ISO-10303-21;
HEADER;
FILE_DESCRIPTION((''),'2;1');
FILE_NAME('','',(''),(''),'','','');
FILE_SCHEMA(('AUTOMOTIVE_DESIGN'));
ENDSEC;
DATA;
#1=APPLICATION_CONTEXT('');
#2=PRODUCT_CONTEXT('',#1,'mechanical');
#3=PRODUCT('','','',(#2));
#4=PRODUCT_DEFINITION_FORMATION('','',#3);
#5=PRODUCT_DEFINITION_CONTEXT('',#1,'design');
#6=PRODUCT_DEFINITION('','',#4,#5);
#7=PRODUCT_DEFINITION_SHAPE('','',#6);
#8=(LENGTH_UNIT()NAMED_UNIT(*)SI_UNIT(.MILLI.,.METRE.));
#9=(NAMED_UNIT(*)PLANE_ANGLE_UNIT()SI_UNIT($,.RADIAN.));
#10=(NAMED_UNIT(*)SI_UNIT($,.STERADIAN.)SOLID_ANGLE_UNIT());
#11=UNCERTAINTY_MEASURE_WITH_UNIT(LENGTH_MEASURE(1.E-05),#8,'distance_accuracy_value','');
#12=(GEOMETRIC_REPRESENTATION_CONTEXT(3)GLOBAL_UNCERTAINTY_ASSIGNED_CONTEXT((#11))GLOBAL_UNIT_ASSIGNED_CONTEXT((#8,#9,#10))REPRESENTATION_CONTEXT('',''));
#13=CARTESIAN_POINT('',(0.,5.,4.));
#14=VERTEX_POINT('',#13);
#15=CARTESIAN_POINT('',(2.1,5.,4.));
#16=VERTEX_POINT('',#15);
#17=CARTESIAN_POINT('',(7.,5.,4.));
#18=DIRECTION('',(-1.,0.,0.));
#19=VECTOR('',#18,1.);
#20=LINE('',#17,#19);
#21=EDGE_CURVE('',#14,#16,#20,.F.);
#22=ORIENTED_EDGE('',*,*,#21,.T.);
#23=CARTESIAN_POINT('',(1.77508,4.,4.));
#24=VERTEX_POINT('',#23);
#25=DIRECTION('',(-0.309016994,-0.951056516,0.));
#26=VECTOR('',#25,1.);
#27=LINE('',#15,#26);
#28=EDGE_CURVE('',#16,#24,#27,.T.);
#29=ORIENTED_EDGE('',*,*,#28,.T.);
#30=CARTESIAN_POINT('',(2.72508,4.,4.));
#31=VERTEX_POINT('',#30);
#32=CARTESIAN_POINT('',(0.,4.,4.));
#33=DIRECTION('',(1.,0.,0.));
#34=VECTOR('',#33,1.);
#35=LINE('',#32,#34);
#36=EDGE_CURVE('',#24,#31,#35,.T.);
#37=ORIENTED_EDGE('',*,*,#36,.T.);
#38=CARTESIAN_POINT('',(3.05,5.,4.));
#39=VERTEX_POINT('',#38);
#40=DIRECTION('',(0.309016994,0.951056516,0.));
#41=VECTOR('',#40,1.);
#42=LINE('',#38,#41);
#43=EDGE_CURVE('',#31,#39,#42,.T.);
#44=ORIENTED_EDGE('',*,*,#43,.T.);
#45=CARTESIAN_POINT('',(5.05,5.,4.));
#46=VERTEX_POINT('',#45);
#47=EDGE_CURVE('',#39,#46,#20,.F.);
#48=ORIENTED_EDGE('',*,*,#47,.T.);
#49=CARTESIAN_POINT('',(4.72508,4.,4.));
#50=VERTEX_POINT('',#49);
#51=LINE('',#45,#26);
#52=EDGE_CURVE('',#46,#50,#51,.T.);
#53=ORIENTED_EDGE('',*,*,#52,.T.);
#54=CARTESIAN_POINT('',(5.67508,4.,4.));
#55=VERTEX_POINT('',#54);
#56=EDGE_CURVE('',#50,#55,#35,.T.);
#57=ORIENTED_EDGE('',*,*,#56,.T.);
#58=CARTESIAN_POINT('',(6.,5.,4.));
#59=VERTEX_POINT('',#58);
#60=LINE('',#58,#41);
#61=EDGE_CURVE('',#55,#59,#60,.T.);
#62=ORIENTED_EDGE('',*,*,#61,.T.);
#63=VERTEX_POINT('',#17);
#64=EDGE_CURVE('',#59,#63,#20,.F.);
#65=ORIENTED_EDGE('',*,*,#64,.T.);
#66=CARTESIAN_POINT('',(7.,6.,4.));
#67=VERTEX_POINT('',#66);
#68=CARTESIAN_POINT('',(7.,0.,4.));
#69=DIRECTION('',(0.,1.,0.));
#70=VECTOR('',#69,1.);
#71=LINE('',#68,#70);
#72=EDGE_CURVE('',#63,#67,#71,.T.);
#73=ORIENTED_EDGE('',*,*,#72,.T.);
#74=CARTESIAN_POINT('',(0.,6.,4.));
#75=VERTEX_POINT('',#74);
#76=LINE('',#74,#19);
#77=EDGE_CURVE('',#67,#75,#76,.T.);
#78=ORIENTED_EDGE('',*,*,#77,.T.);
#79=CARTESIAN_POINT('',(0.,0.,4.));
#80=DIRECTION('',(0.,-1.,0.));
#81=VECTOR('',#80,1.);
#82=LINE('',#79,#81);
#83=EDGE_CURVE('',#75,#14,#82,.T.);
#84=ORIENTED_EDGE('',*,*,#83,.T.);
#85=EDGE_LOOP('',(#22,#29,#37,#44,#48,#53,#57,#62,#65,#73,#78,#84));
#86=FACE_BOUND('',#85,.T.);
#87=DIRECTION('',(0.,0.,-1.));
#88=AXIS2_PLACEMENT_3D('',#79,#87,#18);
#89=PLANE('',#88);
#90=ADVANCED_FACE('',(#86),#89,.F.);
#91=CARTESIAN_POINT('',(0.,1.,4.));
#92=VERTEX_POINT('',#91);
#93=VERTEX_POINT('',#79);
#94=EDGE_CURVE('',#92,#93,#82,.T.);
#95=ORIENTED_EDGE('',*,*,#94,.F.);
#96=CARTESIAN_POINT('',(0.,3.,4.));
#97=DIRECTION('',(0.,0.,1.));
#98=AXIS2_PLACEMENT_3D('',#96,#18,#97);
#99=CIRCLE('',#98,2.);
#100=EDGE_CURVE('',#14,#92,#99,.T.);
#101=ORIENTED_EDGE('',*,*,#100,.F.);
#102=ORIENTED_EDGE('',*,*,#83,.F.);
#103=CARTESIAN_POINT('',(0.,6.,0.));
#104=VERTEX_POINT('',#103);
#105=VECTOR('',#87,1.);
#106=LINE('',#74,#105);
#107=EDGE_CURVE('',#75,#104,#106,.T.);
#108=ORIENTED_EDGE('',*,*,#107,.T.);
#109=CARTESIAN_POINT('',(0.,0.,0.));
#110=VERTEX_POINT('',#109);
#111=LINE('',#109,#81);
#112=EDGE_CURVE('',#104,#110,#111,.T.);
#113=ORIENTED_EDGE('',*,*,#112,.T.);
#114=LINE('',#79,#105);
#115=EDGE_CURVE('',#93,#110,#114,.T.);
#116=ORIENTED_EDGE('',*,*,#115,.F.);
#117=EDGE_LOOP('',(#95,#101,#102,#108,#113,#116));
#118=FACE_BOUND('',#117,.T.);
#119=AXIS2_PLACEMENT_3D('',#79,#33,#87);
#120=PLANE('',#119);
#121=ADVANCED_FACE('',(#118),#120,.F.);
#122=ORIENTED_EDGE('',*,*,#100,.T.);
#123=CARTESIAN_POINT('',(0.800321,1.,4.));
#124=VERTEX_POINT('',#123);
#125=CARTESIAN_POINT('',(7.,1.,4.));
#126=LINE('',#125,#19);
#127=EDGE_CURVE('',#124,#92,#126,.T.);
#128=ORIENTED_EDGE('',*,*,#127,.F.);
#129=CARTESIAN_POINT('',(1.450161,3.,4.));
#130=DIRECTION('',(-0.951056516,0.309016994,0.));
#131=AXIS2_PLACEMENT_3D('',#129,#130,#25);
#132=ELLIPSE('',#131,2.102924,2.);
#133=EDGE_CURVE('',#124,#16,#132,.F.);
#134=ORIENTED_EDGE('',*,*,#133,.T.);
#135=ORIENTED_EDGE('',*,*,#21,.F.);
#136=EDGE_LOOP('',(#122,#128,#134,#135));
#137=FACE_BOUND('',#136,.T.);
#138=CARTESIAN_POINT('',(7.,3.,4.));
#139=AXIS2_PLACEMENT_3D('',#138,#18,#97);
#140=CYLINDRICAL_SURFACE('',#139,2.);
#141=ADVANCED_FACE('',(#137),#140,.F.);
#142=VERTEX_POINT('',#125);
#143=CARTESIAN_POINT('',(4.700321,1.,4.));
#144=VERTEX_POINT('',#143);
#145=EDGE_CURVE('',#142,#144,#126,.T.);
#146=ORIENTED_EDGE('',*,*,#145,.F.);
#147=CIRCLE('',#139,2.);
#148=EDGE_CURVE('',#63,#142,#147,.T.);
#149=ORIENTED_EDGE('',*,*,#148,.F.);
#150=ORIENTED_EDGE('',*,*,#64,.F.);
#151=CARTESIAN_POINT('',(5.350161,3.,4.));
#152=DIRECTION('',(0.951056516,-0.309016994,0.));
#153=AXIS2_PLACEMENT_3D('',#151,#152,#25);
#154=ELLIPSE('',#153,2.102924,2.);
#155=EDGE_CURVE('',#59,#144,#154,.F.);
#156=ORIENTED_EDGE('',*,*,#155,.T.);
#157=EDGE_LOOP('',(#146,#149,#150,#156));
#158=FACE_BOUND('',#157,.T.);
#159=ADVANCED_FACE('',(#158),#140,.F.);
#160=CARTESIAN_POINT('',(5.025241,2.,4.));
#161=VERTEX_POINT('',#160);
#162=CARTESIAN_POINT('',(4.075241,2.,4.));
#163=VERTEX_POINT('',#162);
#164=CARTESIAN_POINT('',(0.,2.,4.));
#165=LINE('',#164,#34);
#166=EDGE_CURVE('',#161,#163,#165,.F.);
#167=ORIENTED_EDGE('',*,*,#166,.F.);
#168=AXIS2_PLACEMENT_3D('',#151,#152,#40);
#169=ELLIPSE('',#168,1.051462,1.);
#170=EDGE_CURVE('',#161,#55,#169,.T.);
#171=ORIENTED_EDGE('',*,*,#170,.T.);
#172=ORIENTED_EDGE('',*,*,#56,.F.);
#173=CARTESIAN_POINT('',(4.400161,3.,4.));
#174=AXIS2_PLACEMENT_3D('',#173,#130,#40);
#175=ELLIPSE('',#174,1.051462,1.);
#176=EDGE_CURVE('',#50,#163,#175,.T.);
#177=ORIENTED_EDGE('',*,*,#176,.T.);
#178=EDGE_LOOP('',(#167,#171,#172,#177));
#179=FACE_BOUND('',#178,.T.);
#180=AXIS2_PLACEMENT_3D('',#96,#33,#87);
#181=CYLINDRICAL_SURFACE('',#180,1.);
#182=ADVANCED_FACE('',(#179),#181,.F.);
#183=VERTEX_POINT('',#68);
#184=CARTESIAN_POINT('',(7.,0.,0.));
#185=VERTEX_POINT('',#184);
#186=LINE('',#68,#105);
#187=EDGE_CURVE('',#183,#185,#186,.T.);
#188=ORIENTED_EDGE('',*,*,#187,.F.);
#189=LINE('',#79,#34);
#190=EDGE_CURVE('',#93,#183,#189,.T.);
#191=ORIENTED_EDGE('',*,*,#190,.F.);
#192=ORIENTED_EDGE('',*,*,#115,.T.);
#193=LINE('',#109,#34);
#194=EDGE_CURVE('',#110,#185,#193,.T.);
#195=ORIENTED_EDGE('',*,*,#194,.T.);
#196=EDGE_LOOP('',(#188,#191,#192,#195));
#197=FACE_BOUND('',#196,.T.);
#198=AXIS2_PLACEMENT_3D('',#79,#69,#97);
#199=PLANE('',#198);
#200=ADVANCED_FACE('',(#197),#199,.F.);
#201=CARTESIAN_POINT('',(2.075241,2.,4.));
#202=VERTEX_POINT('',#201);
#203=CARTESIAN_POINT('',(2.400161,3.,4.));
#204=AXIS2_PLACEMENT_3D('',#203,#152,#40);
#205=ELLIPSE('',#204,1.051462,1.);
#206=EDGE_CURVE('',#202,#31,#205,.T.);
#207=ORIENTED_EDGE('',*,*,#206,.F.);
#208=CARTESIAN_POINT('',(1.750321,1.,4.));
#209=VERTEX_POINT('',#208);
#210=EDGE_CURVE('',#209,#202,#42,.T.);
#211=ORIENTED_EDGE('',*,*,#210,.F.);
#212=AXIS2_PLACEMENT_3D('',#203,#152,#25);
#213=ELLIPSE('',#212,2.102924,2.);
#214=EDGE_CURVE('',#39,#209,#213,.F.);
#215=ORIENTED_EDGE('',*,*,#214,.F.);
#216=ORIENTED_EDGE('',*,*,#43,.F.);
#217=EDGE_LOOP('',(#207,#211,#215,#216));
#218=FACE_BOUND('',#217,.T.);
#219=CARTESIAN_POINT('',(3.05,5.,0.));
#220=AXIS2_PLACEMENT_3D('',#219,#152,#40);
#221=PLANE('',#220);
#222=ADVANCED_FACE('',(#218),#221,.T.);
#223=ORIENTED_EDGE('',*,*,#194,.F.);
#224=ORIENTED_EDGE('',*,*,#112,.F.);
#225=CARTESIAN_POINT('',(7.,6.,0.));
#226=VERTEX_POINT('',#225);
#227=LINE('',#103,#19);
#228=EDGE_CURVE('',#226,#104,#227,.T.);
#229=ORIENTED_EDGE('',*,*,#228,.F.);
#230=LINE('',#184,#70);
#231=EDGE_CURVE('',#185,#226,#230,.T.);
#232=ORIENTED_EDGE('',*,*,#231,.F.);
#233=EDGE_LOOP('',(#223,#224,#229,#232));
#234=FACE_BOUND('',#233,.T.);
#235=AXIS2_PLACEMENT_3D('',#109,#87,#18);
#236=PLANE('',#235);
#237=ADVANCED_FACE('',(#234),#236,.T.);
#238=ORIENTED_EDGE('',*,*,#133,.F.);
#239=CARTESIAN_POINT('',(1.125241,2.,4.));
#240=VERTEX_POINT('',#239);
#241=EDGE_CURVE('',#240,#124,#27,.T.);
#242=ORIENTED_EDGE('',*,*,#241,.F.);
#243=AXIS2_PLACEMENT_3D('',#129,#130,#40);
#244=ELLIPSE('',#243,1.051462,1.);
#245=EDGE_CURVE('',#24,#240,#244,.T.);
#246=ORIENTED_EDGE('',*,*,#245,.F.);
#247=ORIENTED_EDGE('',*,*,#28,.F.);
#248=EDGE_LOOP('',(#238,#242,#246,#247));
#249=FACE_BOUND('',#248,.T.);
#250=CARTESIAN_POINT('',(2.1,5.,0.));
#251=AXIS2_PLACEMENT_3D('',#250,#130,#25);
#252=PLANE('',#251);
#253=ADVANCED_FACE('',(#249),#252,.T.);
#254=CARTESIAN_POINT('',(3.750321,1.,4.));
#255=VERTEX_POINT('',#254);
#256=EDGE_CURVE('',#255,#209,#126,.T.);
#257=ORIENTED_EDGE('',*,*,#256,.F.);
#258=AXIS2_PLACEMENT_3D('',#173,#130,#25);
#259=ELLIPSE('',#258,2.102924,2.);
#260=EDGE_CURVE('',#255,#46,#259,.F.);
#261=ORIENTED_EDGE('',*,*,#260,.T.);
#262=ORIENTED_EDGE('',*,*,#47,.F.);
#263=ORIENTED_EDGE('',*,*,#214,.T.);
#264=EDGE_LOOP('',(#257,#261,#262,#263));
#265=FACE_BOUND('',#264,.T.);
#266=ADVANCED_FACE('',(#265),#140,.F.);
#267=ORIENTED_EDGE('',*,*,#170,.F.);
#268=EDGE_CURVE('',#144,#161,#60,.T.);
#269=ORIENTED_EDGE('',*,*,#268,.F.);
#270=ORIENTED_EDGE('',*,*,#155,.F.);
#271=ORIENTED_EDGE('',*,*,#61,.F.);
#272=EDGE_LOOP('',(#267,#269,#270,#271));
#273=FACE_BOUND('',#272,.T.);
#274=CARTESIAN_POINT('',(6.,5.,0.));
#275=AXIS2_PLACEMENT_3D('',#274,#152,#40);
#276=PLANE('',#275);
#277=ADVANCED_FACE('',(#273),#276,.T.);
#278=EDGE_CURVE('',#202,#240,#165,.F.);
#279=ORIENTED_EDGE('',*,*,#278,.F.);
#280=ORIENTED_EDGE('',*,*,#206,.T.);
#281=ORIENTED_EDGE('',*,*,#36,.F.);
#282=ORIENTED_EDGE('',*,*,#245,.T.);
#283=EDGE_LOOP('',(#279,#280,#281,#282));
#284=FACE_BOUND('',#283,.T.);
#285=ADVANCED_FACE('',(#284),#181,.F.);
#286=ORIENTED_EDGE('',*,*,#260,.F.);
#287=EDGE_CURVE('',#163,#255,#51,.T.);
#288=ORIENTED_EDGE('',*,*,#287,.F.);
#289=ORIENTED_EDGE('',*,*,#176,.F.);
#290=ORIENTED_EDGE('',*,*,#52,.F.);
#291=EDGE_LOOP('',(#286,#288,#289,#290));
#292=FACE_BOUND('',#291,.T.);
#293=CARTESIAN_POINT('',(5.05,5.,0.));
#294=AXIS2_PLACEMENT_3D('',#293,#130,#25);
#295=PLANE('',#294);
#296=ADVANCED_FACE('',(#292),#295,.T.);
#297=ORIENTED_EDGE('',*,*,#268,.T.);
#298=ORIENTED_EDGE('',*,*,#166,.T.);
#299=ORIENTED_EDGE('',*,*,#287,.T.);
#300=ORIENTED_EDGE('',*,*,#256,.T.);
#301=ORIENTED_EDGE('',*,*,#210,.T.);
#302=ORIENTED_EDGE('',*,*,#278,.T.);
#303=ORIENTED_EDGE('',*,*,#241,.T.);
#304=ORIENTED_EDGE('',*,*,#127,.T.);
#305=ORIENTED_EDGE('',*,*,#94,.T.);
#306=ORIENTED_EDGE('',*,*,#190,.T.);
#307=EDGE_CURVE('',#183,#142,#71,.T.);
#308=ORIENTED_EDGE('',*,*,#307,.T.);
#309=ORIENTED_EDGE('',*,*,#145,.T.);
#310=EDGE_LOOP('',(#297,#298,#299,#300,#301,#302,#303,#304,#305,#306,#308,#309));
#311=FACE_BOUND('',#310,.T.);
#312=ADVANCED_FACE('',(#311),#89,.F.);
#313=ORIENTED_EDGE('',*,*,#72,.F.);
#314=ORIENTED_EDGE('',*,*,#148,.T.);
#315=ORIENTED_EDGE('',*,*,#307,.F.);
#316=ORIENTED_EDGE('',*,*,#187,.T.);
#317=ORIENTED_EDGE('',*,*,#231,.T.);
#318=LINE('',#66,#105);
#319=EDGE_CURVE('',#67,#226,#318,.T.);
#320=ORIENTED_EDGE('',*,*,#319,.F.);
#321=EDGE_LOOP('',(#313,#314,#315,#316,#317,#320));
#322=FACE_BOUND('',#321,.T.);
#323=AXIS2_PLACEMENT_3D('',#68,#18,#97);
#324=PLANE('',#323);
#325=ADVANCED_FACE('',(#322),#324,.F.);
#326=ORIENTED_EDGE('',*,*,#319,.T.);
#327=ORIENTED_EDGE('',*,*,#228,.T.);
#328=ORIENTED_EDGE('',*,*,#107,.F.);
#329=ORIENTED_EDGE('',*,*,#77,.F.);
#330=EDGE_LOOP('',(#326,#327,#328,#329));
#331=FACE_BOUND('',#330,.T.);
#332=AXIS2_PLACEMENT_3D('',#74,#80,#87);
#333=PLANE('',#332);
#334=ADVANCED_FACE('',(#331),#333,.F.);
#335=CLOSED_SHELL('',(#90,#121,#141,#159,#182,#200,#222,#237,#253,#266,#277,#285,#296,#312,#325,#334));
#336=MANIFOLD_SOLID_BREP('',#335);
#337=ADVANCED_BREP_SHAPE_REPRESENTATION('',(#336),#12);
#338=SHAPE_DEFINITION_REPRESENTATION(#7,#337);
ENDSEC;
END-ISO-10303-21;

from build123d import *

# Parameters (mm, degrees)
SKETCH_1_W          = 7
SKETCH_1_H          = 6
EXTRUDE_1_DEPTH     = 4
SKETCH_2_R          = 2
CUT_EXTRUDE_1_DEPTH = 11.049875621
EXTRUDE_2_REACH     = 12.05
SKETCH_7_R          = 1
CUT_EXTRUDE_3_DEPTH = 11.049875621


with BuildPart() as part:
    # 草图1 → 凸台-拉伸1 (new body)
    with BuildSketch(Plane.XY):
        with Locations((3.5, 3)):
            Rectangle(SKETCH_1_W, SKETCH_1_H)
    extrude(amount=EXTRUDE_1_DEPTH)

    # 草图2 → 切除-拉伸1 (cut, through all)
    with BuildSketch(Plane.ZY):
        with Locations((4, 3)):
            Circle(SKETCH_2_R)
    extrude(amount=-CUT_EXTRUDE_1_DEPTH, mode=Mode.SUBTRACT)

    # 草图6 → 凸台-拉伸2 (add, up to next)
    with BuildSketch(Plane.XY.offset(4), mode=Mode.PRIVATE) as extrude_2_sk1:
        Polygon((5.05, 5), (6, 5), (4.700321215, 1), (3.750321215, 1), align=None)
    extrude_2_tool1 = extrude(extrude_2_sk1.sketch, amount=-EXTRUDE_2_REACH, mode=Mode.PRIVATE) - part.part
    # 草图6 → 凸台-拉伸2 (add, up to next)
    with BuildSketch(Plane.XY.offset(4), mode=Mode.PRIVATE) as extrude_2_sk2:
        Polygon((2.1, 5), (3.05, 5), (1.750321215, 1), (0.800321215, 1), align=None)
    extrude_2_tool2 = extrude(extrude_2_sk2.sketch, amount=-EXTRUDE_2_REACH, mode=Mode.PRIVATE) - part.part
    add(extrude_2_tool1.solids().sort_by_distance((4.875161, 3, 4))[0])
    add(extrude_2_tool2.solids().sort_by_distance((1.925161, 3, 4))[0])

    # 草图7 → 切除-拉伸3 (cut, through all)
    with BuildSketch(Plane(origin=(7, 0, 0), x_dir=(0, 0, -1), z_dir=(1, 0, 0))):
        with Locations((-4, 3)):
            Circle(SKETCH_7_R)
    extrude(amount=-CUT_EXTRUDE_3_DEPTH, mode=Mode.SUBTRACT)


solid = part.part
